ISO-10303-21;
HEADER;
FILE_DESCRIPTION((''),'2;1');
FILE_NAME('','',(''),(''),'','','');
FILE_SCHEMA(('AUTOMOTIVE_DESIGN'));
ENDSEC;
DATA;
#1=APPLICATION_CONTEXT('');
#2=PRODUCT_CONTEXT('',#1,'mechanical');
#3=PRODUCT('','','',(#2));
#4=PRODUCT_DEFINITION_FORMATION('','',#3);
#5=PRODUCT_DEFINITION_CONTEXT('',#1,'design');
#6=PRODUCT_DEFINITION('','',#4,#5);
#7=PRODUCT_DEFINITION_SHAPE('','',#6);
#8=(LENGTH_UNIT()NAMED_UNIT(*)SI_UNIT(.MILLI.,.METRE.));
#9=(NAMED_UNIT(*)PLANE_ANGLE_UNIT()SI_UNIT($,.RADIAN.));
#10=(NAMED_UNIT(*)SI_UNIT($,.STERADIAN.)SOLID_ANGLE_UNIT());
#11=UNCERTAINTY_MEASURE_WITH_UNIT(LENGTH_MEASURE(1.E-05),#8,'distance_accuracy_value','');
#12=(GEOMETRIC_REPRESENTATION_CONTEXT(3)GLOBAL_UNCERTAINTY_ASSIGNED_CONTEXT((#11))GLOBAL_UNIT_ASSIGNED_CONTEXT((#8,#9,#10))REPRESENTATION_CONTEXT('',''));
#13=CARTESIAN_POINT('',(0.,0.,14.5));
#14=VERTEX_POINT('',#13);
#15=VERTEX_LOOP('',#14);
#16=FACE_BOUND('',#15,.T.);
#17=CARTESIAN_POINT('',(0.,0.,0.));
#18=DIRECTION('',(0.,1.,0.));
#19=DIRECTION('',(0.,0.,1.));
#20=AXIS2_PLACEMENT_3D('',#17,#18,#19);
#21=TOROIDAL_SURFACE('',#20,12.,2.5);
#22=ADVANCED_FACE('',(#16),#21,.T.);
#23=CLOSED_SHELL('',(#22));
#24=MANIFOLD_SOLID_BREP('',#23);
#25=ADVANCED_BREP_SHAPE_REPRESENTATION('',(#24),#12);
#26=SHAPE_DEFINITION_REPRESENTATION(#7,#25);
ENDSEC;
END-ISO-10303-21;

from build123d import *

# Parameters (mm, degrees)
SKETCH1_R = 2.5


with BuildPart() as part:
    # Sketch1 → Revolve1 (revolve)
    with BuildSketch(Plane.XY):
        with Locations((12, 0)):
            Circle(SKETCH1_R)
    revolve(axis=Axis((0, 20.495036722, 0), (0, -1, 0)))


solid = part.part
